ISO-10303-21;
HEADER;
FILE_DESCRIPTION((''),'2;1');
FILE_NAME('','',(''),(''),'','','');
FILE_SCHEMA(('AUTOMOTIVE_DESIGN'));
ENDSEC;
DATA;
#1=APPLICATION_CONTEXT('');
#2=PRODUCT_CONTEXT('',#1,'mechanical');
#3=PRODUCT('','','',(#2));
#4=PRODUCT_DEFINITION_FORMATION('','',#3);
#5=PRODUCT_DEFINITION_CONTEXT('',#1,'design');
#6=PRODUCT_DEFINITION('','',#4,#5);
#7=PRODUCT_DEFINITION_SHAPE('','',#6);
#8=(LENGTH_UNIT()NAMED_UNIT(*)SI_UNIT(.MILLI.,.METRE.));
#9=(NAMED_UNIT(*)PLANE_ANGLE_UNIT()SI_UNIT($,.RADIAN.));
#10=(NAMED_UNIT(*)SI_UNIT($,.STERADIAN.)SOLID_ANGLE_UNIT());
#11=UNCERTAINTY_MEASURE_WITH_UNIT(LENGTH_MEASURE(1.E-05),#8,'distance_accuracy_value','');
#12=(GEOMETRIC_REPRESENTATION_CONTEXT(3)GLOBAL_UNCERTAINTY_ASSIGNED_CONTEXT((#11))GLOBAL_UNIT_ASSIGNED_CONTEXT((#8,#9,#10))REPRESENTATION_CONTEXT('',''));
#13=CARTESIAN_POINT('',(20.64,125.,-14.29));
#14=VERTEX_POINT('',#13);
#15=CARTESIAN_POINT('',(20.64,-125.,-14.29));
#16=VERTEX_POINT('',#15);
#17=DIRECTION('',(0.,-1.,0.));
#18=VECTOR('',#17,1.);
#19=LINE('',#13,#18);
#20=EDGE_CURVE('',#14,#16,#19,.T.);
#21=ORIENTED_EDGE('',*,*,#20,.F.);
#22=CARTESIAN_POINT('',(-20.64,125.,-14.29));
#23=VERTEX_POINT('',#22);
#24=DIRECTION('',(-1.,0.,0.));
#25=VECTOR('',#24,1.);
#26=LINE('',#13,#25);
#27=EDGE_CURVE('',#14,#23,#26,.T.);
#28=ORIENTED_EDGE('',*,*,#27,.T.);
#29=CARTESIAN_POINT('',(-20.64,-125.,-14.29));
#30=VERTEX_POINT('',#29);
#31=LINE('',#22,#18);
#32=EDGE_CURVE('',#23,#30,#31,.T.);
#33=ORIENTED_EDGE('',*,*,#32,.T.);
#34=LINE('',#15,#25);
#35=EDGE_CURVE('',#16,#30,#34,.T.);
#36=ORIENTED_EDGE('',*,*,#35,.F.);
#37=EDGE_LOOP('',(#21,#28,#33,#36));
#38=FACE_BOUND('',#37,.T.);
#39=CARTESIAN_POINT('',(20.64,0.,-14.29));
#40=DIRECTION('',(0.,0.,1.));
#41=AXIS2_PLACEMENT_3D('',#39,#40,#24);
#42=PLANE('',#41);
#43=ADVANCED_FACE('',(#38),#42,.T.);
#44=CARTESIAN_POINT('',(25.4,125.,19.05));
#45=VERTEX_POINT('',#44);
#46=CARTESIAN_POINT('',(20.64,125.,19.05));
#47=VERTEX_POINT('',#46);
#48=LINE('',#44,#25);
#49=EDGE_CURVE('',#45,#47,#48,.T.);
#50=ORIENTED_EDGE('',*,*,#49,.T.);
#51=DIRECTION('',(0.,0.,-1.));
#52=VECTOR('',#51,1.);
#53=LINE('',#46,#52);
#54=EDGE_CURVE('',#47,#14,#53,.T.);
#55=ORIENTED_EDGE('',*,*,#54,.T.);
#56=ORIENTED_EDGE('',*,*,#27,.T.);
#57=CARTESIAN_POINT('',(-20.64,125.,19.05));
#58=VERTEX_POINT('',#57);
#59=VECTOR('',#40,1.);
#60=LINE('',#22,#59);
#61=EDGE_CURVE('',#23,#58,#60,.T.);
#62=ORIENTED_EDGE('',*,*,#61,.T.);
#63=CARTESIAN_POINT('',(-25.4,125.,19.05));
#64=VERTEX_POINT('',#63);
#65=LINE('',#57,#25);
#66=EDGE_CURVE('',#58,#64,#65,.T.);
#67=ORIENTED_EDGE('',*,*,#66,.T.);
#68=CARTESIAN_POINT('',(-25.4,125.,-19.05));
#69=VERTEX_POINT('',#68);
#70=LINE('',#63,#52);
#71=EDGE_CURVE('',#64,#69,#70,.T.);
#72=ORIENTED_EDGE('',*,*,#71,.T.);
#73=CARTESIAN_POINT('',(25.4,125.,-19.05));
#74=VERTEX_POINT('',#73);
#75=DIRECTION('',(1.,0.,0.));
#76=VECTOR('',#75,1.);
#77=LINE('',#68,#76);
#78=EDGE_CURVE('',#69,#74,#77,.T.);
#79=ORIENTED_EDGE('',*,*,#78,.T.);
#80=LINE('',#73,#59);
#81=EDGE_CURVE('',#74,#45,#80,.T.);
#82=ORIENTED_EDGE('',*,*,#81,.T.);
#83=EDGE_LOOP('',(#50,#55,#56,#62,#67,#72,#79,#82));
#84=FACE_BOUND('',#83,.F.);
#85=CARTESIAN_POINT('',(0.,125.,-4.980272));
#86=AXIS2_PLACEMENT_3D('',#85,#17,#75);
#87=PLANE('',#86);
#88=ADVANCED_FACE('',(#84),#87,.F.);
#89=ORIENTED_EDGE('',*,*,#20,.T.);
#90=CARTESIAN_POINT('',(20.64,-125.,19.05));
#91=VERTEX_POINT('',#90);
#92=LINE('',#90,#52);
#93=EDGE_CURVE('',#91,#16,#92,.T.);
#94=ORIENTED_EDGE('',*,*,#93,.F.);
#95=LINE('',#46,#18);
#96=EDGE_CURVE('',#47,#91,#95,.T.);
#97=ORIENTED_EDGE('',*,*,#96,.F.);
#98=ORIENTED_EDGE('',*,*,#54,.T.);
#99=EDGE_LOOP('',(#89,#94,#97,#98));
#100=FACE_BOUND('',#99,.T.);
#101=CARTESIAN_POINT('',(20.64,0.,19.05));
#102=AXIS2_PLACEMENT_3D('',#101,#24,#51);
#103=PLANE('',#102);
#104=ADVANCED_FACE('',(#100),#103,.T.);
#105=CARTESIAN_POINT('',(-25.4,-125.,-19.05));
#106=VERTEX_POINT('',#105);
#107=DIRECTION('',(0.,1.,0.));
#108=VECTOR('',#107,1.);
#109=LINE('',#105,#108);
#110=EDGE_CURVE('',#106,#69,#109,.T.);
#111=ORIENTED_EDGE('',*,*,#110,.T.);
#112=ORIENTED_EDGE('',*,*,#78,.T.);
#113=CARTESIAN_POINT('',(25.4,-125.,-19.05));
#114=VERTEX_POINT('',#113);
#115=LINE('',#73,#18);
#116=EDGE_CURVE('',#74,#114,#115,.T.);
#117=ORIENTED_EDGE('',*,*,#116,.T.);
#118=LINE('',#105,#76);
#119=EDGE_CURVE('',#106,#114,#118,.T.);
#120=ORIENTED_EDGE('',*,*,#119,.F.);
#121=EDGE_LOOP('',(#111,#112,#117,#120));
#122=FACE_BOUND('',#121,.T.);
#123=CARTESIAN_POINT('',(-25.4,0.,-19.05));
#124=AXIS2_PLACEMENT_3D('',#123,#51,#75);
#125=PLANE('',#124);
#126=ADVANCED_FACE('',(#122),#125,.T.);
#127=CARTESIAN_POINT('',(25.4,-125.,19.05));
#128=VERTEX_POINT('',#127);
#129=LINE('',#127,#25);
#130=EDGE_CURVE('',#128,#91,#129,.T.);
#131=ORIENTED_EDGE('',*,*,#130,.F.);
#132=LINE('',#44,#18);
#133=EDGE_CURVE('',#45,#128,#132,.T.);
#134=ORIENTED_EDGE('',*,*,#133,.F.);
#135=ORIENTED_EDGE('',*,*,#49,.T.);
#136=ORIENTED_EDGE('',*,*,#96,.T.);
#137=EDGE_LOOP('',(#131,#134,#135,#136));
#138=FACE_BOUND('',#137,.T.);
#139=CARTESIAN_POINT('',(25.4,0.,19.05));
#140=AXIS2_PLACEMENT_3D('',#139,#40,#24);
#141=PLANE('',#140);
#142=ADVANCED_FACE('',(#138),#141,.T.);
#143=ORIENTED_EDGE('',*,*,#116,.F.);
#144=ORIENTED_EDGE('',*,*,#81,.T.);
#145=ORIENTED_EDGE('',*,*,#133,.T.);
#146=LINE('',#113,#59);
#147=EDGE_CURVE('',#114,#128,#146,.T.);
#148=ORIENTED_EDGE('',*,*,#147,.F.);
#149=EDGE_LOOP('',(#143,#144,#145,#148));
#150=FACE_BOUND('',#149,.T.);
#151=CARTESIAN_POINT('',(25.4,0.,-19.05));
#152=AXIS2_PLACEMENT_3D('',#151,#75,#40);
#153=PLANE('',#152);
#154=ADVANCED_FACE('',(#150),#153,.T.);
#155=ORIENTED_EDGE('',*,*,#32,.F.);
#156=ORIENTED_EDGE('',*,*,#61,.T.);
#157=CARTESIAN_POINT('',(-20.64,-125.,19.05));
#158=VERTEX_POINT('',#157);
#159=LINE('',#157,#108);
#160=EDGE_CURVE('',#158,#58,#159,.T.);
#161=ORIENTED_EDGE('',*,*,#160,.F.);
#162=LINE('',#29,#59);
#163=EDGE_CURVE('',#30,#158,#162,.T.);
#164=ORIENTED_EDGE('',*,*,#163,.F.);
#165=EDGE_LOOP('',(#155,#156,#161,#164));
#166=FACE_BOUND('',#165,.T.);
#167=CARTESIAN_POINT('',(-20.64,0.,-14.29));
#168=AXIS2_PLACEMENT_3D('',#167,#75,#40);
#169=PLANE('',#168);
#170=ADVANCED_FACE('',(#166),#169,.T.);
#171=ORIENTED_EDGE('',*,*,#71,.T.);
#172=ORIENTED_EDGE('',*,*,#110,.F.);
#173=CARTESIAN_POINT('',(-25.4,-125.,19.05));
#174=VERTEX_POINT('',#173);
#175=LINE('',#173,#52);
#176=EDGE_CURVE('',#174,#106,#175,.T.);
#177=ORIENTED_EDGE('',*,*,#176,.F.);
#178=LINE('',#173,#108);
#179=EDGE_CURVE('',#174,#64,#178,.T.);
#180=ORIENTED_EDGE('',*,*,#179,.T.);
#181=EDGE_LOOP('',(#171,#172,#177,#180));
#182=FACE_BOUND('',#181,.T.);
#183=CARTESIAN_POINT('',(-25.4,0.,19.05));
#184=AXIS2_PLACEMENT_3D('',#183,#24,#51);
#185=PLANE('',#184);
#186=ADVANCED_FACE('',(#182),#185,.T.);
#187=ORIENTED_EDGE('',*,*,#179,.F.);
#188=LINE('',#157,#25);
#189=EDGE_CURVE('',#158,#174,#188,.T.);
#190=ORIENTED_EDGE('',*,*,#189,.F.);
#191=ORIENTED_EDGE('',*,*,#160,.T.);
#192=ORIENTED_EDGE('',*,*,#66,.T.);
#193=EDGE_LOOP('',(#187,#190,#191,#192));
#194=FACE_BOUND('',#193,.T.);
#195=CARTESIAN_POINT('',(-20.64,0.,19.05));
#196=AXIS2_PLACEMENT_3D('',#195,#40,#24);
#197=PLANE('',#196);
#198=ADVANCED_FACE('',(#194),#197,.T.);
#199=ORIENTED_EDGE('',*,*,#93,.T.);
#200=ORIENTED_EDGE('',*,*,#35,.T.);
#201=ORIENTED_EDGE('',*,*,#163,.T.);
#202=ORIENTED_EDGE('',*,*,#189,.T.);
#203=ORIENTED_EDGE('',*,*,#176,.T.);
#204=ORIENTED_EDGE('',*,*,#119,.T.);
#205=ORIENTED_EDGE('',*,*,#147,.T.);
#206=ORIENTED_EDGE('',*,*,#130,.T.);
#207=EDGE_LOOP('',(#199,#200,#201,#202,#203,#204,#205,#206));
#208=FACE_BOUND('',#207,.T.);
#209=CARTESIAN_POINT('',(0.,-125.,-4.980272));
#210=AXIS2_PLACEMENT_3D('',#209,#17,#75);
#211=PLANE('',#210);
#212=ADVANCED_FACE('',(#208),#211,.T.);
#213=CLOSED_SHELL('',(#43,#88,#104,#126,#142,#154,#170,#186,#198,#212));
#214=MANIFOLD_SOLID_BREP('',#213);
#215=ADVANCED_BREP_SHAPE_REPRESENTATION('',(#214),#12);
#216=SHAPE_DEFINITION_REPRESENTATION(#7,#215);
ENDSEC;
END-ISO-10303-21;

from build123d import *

# Parameters (mm, degrees)
F1_DEPTH      = 125
F1_DEPTH_BACK = 125


with BuildPart() as f1:
    # F0 (on Front) → F1 (new body, two sides)
    with BuildSketch(Plane.XZ) as f1_sk:
        Polygon((-25.4, -19.05), (25.4, -19.05), (25.4, 19.05), (20.64, 19.05), (20.64, 0), (20.64, -14.29), (0, -14.29), (-20.64, -14.29), (-20.64, 0), (-20.64, 19.05), (-25.4, 19.05), align=None)
    extrude(amount=F1_DEPTH)
    extrude(f1_sk.sketch, amount=-F1_DEPTH_BACK)


solid = f1.part
